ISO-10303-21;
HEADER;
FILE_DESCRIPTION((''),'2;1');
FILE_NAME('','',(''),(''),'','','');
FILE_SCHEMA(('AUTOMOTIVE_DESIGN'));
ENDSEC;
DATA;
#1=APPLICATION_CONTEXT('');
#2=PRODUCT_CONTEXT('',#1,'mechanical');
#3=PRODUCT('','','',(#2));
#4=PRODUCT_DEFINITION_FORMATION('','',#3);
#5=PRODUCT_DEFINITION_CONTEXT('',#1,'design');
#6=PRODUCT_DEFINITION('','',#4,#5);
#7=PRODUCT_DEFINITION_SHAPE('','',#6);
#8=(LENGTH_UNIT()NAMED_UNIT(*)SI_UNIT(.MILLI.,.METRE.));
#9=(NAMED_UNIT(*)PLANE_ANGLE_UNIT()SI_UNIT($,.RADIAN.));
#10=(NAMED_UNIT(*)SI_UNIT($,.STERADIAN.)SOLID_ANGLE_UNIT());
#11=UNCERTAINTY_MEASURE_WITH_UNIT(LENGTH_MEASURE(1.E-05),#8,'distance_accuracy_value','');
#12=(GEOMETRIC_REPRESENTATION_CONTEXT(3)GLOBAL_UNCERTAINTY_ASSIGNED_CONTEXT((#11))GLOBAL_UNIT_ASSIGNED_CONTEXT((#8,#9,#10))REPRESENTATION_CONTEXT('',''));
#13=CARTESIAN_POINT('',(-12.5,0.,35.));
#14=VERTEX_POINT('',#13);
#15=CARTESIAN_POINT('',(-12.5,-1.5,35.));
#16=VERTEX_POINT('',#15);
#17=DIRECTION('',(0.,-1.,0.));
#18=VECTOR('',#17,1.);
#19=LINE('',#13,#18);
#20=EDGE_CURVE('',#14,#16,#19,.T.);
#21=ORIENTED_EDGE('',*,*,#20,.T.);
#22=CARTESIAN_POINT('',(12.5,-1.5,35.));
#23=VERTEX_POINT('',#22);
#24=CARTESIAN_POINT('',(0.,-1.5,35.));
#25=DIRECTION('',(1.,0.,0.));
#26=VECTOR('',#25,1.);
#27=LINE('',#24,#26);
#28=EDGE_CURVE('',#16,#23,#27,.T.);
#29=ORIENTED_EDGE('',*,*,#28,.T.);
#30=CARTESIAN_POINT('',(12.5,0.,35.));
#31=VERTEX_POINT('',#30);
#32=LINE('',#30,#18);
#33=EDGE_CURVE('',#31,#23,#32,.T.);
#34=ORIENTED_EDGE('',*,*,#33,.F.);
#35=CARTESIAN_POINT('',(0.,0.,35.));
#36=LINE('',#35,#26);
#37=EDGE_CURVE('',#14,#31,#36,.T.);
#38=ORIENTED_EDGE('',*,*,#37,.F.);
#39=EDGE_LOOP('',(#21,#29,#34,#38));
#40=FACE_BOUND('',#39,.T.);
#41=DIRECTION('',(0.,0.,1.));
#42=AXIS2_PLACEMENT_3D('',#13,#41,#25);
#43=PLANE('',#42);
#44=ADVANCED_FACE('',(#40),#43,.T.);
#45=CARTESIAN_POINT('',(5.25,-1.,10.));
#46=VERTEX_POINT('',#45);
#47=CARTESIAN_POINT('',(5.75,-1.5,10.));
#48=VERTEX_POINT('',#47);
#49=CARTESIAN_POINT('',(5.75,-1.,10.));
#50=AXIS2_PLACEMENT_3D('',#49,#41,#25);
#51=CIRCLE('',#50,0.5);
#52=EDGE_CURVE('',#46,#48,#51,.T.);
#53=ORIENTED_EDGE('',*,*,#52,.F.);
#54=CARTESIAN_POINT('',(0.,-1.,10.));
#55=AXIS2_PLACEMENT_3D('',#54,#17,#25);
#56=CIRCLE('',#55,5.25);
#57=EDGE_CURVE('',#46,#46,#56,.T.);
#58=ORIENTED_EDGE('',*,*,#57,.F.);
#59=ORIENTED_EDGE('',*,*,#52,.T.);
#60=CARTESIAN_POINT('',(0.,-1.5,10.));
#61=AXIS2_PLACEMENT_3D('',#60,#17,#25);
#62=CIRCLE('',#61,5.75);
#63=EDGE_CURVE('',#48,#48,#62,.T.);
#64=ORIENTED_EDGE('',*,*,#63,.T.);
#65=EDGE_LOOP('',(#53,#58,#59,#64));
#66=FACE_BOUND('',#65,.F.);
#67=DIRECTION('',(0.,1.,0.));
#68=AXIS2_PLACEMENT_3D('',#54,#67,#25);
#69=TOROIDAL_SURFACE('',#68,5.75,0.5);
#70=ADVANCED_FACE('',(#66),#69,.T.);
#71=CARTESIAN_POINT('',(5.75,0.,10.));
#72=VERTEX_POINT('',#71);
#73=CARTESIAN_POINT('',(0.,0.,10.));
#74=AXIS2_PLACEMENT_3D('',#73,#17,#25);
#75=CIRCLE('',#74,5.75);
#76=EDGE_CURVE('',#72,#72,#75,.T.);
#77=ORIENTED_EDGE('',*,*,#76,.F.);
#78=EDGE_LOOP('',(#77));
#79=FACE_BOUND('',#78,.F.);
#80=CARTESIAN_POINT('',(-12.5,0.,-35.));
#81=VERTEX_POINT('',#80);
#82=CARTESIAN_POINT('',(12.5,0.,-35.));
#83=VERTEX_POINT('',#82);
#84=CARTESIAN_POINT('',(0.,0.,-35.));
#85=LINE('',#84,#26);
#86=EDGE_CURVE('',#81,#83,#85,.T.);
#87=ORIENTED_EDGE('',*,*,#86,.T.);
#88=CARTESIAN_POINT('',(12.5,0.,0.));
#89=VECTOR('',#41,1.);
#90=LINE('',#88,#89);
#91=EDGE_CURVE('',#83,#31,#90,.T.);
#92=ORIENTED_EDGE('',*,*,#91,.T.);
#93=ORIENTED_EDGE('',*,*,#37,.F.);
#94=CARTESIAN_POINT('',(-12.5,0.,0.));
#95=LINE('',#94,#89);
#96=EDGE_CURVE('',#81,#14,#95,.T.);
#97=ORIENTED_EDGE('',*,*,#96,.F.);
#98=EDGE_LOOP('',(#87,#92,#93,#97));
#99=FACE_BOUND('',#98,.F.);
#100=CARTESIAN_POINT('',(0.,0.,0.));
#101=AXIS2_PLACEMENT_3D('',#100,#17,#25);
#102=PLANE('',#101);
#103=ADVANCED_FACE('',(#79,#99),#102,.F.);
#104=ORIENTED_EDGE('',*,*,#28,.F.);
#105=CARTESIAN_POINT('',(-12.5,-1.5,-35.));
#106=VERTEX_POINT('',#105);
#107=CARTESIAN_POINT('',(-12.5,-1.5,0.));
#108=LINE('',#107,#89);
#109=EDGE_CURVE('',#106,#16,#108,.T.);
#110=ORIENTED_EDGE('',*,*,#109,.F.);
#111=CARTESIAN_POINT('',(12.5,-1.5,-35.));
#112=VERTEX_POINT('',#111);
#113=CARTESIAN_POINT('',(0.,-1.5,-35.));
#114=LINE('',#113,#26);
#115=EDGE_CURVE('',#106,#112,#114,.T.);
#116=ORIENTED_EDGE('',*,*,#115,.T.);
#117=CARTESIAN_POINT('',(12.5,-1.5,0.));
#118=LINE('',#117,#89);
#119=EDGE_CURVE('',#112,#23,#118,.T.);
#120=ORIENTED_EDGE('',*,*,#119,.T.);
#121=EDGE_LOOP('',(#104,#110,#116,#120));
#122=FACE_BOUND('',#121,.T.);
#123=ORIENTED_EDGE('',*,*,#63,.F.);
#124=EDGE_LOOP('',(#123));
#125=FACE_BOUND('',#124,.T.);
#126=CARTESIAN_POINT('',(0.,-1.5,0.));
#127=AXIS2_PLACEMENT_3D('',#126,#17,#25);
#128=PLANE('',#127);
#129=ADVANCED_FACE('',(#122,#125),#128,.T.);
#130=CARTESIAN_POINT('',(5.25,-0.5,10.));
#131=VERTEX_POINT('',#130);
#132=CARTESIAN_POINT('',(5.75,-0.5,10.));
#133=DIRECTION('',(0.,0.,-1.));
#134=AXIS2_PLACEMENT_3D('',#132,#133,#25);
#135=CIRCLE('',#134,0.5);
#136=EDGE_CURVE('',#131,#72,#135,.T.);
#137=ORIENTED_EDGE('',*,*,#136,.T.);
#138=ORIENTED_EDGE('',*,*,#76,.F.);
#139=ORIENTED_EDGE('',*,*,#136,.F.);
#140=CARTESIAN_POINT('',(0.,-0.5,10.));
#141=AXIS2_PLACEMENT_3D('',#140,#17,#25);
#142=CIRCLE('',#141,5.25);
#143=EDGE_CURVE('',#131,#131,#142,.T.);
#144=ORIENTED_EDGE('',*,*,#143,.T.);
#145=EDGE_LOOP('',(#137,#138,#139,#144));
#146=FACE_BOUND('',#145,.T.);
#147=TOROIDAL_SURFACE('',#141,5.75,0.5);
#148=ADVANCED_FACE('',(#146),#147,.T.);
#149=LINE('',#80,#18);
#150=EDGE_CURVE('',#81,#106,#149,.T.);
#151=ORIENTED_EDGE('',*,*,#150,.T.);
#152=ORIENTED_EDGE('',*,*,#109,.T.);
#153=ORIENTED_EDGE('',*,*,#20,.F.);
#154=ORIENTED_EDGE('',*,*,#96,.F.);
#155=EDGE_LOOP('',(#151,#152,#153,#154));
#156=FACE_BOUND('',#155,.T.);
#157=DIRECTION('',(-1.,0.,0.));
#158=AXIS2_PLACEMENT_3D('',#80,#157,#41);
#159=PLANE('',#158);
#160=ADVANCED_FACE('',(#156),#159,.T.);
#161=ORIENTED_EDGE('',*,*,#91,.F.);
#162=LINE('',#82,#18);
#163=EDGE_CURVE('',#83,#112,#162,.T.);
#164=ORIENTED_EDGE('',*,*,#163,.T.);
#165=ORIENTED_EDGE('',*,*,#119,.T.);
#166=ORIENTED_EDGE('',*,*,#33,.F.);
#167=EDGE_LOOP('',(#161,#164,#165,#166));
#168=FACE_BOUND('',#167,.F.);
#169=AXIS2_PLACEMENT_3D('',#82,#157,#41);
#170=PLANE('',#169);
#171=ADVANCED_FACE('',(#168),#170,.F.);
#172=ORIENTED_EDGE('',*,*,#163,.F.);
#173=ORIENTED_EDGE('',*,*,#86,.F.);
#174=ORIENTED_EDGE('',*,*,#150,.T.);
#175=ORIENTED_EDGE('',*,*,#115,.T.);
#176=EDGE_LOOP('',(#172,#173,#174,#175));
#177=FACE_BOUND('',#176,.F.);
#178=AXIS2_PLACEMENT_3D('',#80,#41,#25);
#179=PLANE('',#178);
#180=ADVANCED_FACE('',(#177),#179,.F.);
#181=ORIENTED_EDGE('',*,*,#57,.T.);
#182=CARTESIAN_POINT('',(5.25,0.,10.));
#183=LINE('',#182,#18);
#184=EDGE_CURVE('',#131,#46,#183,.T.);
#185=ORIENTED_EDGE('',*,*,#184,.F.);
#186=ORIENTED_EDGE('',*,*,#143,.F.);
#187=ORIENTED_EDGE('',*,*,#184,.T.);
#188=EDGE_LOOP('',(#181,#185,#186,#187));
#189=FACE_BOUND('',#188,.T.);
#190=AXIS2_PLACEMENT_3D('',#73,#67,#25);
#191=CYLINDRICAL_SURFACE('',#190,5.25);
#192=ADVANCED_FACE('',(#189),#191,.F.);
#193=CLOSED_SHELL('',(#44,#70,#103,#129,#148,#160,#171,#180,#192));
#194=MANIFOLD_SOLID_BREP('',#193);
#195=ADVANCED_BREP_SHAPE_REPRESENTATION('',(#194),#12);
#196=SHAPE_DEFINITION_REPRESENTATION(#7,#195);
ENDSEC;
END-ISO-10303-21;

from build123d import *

# Parameters (mm, degrees)
F0_W     = 25
F0_H     = 70
F0_R     = 5.25
F1_DEPTH = 1.5
F2_R     = 0.5


with BuildPart() as f1:
    # F0 (on Front) → F1 (new body)
    with BuildSketch(Plane.XZ):
        Rectangle(F0_W, F0_H)
        with Locations((0, 10)):
            Circle(F0_R, mode=Mode.SUBTRACT)
    extrude(amount=F1_DEPTH)

    # F2
    f2_edges = [f1.edges().sort_by_distance(p)[0] for p in [
        (-5.25, 0, 10),
        (-5.25, -1.5, 10),
    ]]
    fillet(f2_edges, radius=F2_R)


solid = f1.part
